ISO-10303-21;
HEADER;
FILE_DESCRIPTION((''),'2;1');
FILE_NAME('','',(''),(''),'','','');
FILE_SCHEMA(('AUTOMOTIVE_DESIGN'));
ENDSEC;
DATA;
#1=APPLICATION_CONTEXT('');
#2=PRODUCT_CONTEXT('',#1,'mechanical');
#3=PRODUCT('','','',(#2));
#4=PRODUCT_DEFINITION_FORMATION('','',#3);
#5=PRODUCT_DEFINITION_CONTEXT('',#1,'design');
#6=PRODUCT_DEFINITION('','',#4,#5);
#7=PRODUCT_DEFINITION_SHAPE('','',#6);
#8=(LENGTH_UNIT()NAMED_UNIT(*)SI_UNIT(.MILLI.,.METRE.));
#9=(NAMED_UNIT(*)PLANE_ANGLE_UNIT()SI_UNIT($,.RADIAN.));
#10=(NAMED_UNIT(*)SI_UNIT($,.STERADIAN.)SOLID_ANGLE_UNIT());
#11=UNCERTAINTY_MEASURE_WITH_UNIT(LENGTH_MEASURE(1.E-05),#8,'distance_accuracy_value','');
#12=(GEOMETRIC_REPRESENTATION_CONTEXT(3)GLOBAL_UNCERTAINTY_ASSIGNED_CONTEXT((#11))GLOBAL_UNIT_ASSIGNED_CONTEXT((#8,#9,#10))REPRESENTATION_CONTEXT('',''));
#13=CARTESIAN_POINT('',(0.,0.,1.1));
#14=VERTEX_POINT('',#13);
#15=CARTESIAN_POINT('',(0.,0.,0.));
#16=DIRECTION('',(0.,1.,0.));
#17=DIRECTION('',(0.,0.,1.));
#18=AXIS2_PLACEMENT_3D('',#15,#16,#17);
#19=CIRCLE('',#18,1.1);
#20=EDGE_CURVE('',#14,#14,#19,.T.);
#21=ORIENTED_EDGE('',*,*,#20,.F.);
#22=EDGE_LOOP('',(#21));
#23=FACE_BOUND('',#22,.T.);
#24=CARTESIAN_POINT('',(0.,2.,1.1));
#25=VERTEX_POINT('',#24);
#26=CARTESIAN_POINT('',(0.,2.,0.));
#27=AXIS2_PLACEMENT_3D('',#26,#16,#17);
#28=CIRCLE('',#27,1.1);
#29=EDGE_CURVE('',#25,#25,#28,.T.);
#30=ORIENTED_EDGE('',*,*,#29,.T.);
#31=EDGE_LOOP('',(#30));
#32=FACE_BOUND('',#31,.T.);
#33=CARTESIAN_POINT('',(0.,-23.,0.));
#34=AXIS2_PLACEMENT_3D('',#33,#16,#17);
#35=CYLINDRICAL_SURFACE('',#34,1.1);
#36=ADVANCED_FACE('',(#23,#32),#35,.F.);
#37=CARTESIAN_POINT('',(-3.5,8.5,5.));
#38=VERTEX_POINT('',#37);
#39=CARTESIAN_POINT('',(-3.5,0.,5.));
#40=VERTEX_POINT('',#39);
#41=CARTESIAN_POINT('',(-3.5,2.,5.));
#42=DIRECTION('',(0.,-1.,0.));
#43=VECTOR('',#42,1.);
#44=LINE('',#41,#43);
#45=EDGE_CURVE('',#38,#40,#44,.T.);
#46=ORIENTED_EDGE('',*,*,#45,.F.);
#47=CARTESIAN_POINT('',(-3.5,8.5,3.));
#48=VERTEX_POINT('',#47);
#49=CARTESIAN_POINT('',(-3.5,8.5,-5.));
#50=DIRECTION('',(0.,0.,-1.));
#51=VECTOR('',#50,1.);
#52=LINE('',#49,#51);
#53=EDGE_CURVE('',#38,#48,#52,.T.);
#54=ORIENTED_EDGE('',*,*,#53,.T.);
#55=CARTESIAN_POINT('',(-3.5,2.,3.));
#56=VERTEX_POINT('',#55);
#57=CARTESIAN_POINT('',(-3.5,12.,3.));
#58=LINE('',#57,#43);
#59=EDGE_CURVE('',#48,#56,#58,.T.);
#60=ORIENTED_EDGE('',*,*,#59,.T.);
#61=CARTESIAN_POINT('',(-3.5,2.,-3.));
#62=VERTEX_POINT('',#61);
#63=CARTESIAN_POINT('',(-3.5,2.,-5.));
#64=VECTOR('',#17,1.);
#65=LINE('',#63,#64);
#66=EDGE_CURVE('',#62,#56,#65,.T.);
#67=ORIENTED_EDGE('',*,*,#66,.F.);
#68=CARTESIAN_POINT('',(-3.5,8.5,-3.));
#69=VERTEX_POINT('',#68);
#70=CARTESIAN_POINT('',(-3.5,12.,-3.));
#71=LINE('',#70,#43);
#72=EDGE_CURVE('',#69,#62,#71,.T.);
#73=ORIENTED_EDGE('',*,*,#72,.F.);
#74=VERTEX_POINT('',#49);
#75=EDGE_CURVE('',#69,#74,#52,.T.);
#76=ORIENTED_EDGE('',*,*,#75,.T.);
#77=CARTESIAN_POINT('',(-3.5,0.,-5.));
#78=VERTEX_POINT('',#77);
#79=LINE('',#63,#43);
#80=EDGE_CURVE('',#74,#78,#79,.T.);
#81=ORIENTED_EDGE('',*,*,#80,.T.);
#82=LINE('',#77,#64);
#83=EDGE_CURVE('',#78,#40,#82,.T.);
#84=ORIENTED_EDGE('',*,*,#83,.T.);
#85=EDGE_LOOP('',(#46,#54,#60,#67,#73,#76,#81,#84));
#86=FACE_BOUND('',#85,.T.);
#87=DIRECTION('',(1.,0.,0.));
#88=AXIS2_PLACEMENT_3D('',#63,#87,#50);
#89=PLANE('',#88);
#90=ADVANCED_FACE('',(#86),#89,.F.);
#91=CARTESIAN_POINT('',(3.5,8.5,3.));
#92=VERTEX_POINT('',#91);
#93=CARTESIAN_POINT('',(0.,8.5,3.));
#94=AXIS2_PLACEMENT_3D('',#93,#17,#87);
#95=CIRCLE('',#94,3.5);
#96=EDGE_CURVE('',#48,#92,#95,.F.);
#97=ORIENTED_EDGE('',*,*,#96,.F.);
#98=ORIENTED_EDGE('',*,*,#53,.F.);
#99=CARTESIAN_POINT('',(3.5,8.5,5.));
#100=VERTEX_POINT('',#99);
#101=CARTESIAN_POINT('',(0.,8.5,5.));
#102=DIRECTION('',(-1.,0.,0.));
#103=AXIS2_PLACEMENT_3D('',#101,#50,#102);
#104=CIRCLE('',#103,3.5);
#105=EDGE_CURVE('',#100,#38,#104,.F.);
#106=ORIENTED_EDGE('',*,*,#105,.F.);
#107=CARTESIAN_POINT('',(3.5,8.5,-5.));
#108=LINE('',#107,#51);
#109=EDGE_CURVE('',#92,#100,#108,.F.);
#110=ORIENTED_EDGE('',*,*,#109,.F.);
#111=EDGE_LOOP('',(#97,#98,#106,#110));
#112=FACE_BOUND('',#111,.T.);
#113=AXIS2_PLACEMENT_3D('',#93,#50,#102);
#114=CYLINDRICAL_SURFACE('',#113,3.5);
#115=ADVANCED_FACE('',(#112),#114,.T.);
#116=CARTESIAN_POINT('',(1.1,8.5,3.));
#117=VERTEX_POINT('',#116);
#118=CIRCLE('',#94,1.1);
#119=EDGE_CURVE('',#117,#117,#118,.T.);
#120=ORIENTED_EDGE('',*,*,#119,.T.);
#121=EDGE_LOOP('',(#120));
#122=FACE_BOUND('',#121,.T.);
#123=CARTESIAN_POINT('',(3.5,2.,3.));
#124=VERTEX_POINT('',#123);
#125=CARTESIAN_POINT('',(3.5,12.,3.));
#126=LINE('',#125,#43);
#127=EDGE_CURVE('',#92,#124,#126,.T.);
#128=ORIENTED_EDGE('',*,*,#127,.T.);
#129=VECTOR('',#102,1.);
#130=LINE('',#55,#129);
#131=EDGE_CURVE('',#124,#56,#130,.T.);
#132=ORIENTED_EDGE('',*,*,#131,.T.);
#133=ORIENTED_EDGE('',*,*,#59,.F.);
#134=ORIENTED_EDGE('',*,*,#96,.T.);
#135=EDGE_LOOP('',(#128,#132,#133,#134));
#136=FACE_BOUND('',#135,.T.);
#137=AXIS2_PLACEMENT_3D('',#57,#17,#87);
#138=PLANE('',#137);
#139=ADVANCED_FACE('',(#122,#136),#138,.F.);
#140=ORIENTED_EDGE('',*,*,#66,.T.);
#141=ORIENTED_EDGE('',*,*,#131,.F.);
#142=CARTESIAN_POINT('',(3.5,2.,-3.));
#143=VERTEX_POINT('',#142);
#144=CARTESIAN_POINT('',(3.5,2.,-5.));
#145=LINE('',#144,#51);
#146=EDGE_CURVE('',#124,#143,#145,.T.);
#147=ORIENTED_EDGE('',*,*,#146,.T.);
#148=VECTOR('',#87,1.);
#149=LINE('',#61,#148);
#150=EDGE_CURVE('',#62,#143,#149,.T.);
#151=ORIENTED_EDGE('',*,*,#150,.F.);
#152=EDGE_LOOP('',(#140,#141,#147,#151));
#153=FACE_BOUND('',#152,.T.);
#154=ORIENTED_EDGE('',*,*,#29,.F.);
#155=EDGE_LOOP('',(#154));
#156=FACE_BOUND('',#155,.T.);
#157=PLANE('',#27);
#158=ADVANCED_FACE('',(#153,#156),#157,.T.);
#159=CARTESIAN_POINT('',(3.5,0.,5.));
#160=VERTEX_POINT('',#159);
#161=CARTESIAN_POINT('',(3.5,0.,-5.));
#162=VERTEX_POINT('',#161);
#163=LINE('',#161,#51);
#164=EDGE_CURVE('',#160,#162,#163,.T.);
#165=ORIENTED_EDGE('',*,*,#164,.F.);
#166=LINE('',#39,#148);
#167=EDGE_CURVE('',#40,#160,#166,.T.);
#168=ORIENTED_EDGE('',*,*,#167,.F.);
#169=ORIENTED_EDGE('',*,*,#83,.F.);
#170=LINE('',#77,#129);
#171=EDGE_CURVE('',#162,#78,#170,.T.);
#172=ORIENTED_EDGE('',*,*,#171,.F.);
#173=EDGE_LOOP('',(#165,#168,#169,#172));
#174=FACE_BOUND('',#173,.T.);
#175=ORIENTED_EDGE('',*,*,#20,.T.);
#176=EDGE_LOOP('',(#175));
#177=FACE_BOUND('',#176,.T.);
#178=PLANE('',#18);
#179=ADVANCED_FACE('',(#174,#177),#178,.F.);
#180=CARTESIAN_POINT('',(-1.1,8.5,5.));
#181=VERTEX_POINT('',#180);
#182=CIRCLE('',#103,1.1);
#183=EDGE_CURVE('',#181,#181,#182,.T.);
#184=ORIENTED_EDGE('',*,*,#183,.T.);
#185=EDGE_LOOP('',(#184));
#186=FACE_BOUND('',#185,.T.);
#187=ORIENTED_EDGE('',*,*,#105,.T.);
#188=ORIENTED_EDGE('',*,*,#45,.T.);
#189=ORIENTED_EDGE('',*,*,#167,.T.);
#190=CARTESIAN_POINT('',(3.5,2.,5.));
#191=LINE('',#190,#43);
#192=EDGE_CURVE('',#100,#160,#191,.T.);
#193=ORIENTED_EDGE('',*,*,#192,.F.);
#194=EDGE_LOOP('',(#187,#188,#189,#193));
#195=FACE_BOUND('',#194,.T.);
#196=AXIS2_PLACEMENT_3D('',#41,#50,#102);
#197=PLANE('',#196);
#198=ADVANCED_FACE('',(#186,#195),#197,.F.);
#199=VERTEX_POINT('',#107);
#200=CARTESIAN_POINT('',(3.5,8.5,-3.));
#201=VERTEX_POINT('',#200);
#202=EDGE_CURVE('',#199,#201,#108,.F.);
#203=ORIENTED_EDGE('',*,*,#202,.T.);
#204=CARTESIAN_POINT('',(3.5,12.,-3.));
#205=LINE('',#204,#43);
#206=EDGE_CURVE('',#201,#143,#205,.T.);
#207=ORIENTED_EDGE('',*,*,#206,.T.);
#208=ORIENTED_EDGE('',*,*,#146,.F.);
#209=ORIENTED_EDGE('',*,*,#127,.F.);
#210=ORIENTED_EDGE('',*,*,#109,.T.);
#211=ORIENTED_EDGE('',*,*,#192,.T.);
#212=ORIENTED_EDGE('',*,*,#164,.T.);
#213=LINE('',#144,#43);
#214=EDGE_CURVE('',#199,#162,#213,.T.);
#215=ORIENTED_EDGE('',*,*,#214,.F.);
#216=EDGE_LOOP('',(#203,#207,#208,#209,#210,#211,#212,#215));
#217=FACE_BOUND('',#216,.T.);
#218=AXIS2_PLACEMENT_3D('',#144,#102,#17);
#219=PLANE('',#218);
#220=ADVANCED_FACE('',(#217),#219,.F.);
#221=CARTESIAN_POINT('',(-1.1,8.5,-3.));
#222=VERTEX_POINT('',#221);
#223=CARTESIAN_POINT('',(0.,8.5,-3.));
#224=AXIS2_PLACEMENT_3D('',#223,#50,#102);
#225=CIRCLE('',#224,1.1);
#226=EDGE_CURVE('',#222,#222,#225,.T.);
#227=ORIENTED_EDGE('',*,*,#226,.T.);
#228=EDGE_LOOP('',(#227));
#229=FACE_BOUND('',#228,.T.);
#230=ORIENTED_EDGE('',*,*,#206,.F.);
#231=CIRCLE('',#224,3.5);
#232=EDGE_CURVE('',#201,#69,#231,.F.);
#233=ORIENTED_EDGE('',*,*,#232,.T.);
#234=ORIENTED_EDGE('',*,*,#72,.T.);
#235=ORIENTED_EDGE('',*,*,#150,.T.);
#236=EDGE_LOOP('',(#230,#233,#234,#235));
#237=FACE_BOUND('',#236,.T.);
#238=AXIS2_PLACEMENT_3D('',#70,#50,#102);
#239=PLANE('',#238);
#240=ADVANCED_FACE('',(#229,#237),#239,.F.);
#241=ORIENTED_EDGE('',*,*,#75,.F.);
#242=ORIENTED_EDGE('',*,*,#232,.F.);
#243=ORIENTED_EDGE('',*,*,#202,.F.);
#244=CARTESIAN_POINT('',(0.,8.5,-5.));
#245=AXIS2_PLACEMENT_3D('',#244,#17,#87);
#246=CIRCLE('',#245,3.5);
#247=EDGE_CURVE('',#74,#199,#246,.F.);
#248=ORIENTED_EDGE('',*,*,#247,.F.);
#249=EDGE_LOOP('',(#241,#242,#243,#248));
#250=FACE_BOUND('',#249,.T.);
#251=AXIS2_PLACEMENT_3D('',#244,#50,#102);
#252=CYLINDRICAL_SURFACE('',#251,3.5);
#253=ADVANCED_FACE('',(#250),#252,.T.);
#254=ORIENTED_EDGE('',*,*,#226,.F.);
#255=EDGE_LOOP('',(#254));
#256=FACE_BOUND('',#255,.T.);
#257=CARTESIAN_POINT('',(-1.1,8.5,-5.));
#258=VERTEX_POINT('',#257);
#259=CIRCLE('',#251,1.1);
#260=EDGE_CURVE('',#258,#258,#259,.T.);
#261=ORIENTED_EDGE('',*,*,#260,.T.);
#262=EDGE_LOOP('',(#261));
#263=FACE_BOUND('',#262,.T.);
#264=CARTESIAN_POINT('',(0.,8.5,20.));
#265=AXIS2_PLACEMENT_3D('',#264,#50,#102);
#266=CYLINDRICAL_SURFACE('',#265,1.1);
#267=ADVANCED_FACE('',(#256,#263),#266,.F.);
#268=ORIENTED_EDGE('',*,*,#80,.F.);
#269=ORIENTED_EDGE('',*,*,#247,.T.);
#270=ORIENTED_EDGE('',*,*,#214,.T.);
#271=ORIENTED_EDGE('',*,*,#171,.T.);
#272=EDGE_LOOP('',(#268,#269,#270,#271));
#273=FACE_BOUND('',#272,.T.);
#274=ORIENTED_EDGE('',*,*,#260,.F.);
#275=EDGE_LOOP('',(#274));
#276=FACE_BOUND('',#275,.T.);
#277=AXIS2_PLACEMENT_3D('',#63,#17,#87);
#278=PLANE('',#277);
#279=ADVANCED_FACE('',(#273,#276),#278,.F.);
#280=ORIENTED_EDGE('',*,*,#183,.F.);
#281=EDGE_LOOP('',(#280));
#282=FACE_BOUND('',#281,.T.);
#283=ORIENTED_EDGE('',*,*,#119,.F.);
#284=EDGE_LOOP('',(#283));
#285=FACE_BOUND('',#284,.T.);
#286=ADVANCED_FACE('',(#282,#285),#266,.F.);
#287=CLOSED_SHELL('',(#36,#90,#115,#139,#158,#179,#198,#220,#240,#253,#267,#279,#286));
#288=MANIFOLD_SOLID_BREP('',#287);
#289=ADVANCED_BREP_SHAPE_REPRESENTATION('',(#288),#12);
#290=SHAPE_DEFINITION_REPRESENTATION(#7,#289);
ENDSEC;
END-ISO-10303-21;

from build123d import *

# Parameters (mm, degrees)
SKETCH_1_W          = 7
SKETCH_1_H          = 10
EXTRUDE_1_DEPTH     = 2
SKETCH_2_W          = 7
SKETCH_2_H          = 2
EXTRUDE_2_DEPTH     = 10
FILLET_1_RADIUS     = 3.5
FILLET_1_LENGTH     = 2
FILLET_2_RADIUS     = 3.5
FILLET_2_LENGTH     = 2
SKETCH_3_R          = 1.1
CUT_EXTRUDE_1_DEPTH = 25
SKETCH_4_R          = 1.1
CUT_EXTRUDE_2_DEPTH = 25


with BuildPart() as part:
    # 草图1 → 凸台-拉伸1 (new body)
    with BuildSketch(Plane(origin=(0, 0, 0), x_dir=(1, 0, 0), z_dir=(0, 1, 0))):
        Rectangle(SKETCH_1_W, SKETCH_1_H)
    extrude(amount=EXTRUDE_1_DEPTH)

    # 草图2 → 凸台-拉伸2 (add)
    with BuildSketch(Plane(origin=(0, 2, 0), x_dir=(1, 0, 0), z_dir=(0, 1, 0))):
        with Locations((0, -4)):
            Rectangle(SKETCH_2_W, SKETCH_2_H)
        with Locations((0, 4)):
            Rectangle(SKETCH_2_W, SKETCH_2_H)
    extrude(amount=EXTRUDE_2_DEPTH)

    # 圆角1: full round fillet: the end face becomes a half cylinder, R = half its width
    fillet_1_face = Plane((0, 12, 4), x_dir=(0, 0, 1), z_dir=(0, 1, 0))  # on the end face: x along it, z out of the body
    fillet_1_slab = fillet_1_face.offset(-FILLET_1_RADIUS / 2) * Box(FILLET_1_LENGTH, 2 * FILLET_1_RADIUS, FILLET_1_RADIUS, mode=Mode.PRIVATE)  # the body's end, R deep
    fillet_1_round = Plane((0, 8.5, 4), x_dir=(0, 1, 0), z_dir=(0, 0, 1)) * Cylinder(FILLET_1_RADIUS, FILLET_1_LENGTH, mode=Mode.PRIVATE)  # its axis R under the face
    add(fillet_1_slab - fillet_1_round, mode=Mode.SUBTRACT)

    # 圆角2: full round fillet: the end face becomes a half cylinder, R = half its width
    fillet_2_face = Plane((0, 12, -4), x_dir=(0, 0, 1), z_dir=(0, 1, 0))  # on the end face: x along it, z out of the body
    fillet_2_slab = fillet_2_face.offset(-FILLET_2_RADIUS / 2) * Box(FILLET_2_LENGTH, 2 * FILLET_2_RADIUS, FILLET_2_RADIUS, mode=Mode.PRIVATE)  # the body's end, R deep
    fillet_2_round = Plane((0, 8.5, -4), x_dir=(0, 1, 0), z_dir=(0, 0, 1)) * Cylinder(FILLET_2_RADIUS, FILLET_2_LENGTH, mode=Mode.PRIVATE)  # its axis R under the face
    add(fillet_2_slab - fillet_2_round, mode=Mode.SUBTRACT)

    # 草图3 → 切除-拉伸1 (cut)
    with BuildSketch(Plane(origin=(0, 0, -5), x_dir=(-1, 0, 0), z_dir=(0, 0, -1))):
        with Locations((0, 8.5)):
            Circle(SKETCH_3_R)
    extrude(amount=-CUT_EXTRUDE_1_DEPTH, mode=Mode.SUBTRACT)

    # 草图4 → 切除-拉伸2 (cut)
    with BuildSketch(Plane(origin=(0, 2, 0), x_dir=(1, 0, 0), z_dir=(0, 1, 0))):
        with Locations(Location((0, 0, 0), (0, 0, 270))):
            Circle(SKETCH_4_R)
    extrude(amount=-CUT_EXTRUDE_2_DEPTH, mode=Mode.SUBTRACT)


solid = part.part
